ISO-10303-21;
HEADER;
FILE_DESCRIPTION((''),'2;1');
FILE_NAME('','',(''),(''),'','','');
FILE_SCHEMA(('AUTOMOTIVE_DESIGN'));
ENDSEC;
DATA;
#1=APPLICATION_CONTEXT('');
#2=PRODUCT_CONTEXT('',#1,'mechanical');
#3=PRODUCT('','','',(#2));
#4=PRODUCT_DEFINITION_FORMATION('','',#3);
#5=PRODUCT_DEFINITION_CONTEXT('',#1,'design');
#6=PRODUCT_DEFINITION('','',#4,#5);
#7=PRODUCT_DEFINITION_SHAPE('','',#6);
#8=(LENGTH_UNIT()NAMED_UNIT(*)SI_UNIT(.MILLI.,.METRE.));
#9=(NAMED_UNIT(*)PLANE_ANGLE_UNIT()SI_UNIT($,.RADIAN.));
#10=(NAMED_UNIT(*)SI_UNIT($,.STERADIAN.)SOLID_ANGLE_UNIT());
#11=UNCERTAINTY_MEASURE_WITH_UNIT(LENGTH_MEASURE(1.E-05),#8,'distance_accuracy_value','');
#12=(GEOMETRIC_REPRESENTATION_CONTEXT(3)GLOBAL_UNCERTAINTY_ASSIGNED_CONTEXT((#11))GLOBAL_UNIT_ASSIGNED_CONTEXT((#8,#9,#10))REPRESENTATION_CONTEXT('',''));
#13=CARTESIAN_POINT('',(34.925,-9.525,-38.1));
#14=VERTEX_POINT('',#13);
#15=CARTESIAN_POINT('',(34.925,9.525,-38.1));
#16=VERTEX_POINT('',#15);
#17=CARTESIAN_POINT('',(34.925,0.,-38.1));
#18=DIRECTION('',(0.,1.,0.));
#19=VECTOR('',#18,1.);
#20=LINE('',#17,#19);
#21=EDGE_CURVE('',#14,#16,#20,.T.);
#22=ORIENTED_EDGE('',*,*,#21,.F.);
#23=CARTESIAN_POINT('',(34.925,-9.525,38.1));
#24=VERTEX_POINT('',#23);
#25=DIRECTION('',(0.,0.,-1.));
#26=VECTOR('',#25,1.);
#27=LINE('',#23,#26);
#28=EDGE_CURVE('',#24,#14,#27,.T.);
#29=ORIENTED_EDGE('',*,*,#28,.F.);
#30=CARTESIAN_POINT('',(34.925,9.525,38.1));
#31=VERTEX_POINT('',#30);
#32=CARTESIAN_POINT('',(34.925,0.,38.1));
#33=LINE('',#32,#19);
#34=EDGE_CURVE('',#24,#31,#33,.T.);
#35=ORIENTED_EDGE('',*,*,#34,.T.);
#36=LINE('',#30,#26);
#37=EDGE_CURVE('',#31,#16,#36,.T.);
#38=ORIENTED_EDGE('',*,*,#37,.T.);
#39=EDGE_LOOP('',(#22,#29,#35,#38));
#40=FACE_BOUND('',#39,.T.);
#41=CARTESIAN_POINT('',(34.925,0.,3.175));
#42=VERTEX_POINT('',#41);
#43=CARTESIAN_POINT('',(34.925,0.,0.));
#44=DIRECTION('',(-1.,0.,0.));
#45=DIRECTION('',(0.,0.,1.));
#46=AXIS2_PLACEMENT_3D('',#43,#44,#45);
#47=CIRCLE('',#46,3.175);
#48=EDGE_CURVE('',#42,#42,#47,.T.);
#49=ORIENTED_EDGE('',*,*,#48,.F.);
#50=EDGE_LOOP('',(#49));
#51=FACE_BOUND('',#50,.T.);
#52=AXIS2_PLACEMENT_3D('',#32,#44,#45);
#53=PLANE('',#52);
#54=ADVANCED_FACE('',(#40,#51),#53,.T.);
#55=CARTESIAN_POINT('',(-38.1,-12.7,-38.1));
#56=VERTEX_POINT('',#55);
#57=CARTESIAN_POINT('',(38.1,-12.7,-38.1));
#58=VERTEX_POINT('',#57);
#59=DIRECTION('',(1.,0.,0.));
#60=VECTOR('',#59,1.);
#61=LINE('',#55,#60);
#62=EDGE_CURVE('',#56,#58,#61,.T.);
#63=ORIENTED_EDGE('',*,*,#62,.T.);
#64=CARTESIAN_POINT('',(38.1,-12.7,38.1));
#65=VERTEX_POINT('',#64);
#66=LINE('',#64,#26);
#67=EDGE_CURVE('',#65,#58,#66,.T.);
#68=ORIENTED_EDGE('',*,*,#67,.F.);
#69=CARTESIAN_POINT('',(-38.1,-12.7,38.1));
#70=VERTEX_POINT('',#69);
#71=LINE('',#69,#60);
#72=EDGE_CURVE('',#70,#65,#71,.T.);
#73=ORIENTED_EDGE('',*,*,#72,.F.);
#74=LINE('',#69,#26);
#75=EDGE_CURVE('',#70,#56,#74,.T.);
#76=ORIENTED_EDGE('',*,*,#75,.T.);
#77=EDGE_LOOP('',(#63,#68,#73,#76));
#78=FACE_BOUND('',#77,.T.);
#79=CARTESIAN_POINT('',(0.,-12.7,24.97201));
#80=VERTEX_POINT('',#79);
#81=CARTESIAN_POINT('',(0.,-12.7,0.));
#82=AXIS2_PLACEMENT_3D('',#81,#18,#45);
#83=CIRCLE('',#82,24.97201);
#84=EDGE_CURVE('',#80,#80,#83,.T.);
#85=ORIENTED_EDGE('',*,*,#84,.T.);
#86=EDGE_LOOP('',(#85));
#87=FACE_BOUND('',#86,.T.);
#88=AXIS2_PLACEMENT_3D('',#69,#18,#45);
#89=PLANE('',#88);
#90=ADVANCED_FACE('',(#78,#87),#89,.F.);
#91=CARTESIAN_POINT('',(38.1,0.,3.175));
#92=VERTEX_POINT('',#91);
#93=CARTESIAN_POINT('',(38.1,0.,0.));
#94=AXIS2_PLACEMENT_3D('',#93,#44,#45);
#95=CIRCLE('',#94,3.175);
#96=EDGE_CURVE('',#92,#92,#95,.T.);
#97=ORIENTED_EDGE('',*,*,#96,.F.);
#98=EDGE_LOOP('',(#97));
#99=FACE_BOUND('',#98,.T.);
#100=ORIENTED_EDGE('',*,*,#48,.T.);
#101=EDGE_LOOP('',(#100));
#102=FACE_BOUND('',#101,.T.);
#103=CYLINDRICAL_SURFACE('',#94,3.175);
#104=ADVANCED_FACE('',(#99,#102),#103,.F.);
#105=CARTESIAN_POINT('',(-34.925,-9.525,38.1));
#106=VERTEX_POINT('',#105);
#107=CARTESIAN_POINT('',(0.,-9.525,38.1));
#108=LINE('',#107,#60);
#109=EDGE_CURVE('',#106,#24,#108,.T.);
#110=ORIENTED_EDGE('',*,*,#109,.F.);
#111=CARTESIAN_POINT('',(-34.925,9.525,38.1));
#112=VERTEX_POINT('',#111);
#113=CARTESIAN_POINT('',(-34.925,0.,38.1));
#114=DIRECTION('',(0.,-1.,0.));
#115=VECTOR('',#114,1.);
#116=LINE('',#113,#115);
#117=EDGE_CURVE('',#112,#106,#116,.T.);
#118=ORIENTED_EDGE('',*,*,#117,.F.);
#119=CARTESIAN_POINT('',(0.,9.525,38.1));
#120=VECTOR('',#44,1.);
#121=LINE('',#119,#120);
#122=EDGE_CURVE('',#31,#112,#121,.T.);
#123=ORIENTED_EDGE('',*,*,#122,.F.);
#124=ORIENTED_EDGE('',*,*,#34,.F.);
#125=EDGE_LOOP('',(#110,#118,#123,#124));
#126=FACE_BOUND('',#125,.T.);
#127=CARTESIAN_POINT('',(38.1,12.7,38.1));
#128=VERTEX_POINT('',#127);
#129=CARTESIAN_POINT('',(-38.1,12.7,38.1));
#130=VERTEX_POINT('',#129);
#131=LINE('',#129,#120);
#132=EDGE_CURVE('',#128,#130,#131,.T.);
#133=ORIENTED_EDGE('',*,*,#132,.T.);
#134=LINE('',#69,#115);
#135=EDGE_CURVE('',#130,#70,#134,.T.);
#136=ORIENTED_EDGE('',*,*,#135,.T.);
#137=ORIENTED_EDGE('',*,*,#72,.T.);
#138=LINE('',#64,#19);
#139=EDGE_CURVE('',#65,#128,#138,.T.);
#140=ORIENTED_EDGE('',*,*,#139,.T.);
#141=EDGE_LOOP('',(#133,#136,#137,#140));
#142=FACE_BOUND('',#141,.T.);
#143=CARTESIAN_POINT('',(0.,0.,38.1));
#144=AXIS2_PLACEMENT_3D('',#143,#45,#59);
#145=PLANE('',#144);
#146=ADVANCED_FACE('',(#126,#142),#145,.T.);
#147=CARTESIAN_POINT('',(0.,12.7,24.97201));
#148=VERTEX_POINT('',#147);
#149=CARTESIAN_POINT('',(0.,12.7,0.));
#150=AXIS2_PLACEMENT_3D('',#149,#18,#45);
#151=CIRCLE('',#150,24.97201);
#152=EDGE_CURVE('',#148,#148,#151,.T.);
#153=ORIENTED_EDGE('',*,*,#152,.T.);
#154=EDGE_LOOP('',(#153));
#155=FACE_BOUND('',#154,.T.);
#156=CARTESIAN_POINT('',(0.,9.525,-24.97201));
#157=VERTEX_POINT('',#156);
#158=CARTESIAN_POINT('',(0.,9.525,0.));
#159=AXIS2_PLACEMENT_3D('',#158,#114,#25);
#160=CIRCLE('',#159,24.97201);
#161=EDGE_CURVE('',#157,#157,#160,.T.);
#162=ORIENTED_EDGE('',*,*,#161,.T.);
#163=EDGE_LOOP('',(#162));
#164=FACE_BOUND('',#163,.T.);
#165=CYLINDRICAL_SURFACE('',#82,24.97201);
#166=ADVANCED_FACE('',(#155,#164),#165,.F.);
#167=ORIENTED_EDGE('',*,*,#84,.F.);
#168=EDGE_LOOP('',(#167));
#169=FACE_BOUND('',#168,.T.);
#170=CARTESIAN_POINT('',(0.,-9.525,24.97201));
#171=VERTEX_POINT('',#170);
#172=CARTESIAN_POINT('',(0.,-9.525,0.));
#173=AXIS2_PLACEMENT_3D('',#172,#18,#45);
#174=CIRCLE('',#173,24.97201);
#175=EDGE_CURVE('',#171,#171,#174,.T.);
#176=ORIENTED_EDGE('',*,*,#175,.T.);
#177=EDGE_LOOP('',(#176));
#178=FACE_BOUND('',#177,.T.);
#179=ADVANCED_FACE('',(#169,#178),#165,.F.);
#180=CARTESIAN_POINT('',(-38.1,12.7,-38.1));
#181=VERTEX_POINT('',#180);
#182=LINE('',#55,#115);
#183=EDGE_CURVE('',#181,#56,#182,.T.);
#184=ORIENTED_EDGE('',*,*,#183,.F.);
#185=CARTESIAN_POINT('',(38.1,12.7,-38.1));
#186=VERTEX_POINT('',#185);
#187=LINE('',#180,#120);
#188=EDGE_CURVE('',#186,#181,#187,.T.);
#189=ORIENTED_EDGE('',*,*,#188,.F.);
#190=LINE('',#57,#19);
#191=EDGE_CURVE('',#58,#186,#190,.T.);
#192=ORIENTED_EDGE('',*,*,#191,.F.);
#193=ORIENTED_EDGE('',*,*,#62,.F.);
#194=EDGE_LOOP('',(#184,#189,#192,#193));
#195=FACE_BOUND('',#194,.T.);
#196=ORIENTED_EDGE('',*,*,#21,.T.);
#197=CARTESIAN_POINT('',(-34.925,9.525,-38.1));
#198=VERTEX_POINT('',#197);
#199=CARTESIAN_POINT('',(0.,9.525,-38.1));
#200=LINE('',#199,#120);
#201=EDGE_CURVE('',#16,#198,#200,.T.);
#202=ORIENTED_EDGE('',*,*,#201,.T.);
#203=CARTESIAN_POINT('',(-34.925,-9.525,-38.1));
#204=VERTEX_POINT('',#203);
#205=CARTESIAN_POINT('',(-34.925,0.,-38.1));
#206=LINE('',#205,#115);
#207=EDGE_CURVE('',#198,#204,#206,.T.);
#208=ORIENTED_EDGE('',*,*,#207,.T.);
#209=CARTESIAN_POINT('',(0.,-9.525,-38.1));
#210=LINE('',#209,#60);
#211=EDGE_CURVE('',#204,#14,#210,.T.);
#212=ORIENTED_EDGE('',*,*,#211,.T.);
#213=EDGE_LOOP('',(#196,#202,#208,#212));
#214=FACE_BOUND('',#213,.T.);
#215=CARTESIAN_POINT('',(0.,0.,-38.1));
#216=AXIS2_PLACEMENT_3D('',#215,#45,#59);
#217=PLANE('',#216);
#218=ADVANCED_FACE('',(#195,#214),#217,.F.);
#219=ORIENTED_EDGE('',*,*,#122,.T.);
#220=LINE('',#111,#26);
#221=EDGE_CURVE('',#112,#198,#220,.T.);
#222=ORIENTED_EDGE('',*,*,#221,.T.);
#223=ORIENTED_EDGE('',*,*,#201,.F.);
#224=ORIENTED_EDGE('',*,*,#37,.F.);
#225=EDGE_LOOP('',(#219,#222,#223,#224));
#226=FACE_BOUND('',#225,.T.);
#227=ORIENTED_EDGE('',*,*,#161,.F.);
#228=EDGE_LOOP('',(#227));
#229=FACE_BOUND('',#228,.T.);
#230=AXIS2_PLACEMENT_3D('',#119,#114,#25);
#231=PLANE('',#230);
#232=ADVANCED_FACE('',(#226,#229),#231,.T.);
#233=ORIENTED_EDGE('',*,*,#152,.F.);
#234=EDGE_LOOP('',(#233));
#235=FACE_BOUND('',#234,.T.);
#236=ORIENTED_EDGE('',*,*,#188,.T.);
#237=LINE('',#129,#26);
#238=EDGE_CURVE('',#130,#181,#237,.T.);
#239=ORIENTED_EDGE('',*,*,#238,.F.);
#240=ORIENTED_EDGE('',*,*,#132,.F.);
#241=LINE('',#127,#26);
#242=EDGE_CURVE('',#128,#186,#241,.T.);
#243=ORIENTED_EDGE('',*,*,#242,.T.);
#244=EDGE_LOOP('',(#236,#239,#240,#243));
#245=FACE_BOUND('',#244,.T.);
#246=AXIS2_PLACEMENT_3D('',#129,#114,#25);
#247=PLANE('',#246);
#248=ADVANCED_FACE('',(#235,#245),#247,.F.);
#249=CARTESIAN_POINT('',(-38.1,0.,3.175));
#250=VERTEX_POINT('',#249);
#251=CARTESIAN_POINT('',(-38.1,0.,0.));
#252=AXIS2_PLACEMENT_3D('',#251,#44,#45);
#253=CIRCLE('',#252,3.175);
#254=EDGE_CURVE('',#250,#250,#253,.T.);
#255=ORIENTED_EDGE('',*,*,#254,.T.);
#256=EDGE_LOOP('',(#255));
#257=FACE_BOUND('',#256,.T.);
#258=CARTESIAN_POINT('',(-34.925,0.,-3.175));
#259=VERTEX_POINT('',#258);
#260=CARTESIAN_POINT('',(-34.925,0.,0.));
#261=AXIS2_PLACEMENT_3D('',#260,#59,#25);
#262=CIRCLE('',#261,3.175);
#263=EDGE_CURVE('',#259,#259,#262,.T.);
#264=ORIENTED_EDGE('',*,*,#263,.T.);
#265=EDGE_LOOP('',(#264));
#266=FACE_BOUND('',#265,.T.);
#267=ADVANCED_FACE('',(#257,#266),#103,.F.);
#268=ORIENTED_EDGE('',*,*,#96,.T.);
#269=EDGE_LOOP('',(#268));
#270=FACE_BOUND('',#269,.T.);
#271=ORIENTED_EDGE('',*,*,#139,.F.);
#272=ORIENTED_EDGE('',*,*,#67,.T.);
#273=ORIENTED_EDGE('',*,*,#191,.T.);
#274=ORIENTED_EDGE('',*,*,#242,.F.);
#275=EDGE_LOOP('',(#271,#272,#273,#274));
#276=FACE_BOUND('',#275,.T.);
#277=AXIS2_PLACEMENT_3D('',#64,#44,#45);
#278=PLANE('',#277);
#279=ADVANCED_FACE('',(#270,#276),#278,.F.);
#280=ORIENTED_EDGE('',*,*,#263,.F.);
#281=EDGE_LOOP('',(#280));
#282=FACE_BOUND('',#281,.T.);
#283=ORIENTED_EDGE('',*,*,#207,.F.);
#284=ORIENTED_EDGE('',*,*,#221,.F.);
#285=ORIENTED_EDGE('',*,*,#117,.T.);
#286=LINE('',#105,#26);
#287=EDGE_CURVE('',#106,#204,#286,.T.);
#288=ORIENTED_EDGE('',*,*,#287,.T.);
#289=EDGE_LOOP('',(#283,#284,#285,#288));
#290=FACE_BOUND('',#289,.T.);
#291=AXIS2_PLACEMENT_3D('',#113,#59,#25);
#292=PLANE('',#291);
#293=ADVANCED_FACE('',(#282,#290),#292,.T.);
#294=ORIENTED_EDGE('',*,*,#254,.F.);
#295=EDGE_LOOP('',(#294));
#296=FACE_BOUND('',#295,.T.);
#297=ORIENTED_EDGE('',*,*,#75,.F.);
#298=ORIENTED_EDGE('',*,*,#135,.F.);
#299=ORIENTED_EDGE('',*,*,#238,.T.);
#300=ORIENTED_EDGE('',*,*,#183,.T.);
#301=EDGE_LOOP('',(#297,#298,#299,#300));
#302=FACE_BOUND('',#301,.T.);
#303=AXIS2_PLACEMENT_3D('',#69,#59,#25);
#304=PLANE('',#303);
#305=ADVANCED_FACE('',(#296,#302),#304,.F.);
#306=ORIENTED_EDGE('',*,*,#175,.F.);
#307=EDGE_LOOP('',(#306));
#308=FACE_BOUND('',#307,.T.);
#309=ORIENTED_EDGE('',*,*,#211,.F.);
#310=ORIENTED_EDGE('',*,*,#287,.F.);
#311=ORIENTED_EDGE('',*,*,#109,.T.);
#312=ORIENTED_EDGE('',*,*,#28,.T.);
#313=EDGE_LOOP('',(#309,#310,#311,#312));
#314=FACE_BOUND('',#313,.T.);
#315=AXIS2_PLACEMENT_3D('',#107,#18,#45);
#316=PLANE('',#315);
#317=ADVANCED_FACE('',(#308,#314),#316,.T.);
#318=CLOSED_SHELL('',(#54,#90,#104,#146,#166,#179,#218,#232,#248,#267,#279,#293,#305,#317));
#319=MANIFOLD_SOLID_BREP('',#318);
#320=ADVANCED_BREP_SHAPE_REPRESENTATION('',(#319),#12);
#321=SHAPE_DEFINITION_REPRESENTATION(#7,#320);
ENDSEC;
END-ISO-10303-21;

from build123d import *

# Parameters (mm, degrees)
SKETCH1_W           = 76.2
SKETCH1_H           = 25.4
SKETCH1_W_2         = 69.85
SKETCH1_H_2         = 19.05
EXTRUDE_THIN1_DEPTH = 38.1
SKETCH2_R           = 3.175
CUT_EXTRUDE1_DEPTH  = 77.2
SKETCH3_R           = 24.97201
CUT_EXTRUDE2_DEPTH  = 26.4


with BuildPart() as part:
    # Sketch1 → Extrude-Thin1 (new body, symmetric)
    with BuildSketch(Plane.XY):
        Rectangle(SKETCH1_W, SKETCH1_H)
        Rectangle(SKETCH1_W_2, SKETCH1_H_2, mode=Mode.SUBTRACT)
    extrude(amount=EXTRUDE_THIN1_DEPTH, both=True)

    # Sketch2 → Cut-Extrude1 (cut, through all)
    with BuildSketch(Plane.ZY.offset(38.1)):
        Circle(SKETCH2_R)
    extrude(amount=-CUT_EXTRUDE1_DEPTH, mode=Mode.SUBTRACT)

    # Sketch3 → Cut-Extrude2 (cut, through all)
    with BuildSketch(Plane(origin=(0, 12.7, 0), x_dir=(1, 0, 0), z_dir=(0, 1, 0))):
        Circle(SKETCH3_R)
    extrude(amount=-CUT_EXTRUDE2_DEPTH, mode=Mode.SUBTRACT)


solid = part.part
